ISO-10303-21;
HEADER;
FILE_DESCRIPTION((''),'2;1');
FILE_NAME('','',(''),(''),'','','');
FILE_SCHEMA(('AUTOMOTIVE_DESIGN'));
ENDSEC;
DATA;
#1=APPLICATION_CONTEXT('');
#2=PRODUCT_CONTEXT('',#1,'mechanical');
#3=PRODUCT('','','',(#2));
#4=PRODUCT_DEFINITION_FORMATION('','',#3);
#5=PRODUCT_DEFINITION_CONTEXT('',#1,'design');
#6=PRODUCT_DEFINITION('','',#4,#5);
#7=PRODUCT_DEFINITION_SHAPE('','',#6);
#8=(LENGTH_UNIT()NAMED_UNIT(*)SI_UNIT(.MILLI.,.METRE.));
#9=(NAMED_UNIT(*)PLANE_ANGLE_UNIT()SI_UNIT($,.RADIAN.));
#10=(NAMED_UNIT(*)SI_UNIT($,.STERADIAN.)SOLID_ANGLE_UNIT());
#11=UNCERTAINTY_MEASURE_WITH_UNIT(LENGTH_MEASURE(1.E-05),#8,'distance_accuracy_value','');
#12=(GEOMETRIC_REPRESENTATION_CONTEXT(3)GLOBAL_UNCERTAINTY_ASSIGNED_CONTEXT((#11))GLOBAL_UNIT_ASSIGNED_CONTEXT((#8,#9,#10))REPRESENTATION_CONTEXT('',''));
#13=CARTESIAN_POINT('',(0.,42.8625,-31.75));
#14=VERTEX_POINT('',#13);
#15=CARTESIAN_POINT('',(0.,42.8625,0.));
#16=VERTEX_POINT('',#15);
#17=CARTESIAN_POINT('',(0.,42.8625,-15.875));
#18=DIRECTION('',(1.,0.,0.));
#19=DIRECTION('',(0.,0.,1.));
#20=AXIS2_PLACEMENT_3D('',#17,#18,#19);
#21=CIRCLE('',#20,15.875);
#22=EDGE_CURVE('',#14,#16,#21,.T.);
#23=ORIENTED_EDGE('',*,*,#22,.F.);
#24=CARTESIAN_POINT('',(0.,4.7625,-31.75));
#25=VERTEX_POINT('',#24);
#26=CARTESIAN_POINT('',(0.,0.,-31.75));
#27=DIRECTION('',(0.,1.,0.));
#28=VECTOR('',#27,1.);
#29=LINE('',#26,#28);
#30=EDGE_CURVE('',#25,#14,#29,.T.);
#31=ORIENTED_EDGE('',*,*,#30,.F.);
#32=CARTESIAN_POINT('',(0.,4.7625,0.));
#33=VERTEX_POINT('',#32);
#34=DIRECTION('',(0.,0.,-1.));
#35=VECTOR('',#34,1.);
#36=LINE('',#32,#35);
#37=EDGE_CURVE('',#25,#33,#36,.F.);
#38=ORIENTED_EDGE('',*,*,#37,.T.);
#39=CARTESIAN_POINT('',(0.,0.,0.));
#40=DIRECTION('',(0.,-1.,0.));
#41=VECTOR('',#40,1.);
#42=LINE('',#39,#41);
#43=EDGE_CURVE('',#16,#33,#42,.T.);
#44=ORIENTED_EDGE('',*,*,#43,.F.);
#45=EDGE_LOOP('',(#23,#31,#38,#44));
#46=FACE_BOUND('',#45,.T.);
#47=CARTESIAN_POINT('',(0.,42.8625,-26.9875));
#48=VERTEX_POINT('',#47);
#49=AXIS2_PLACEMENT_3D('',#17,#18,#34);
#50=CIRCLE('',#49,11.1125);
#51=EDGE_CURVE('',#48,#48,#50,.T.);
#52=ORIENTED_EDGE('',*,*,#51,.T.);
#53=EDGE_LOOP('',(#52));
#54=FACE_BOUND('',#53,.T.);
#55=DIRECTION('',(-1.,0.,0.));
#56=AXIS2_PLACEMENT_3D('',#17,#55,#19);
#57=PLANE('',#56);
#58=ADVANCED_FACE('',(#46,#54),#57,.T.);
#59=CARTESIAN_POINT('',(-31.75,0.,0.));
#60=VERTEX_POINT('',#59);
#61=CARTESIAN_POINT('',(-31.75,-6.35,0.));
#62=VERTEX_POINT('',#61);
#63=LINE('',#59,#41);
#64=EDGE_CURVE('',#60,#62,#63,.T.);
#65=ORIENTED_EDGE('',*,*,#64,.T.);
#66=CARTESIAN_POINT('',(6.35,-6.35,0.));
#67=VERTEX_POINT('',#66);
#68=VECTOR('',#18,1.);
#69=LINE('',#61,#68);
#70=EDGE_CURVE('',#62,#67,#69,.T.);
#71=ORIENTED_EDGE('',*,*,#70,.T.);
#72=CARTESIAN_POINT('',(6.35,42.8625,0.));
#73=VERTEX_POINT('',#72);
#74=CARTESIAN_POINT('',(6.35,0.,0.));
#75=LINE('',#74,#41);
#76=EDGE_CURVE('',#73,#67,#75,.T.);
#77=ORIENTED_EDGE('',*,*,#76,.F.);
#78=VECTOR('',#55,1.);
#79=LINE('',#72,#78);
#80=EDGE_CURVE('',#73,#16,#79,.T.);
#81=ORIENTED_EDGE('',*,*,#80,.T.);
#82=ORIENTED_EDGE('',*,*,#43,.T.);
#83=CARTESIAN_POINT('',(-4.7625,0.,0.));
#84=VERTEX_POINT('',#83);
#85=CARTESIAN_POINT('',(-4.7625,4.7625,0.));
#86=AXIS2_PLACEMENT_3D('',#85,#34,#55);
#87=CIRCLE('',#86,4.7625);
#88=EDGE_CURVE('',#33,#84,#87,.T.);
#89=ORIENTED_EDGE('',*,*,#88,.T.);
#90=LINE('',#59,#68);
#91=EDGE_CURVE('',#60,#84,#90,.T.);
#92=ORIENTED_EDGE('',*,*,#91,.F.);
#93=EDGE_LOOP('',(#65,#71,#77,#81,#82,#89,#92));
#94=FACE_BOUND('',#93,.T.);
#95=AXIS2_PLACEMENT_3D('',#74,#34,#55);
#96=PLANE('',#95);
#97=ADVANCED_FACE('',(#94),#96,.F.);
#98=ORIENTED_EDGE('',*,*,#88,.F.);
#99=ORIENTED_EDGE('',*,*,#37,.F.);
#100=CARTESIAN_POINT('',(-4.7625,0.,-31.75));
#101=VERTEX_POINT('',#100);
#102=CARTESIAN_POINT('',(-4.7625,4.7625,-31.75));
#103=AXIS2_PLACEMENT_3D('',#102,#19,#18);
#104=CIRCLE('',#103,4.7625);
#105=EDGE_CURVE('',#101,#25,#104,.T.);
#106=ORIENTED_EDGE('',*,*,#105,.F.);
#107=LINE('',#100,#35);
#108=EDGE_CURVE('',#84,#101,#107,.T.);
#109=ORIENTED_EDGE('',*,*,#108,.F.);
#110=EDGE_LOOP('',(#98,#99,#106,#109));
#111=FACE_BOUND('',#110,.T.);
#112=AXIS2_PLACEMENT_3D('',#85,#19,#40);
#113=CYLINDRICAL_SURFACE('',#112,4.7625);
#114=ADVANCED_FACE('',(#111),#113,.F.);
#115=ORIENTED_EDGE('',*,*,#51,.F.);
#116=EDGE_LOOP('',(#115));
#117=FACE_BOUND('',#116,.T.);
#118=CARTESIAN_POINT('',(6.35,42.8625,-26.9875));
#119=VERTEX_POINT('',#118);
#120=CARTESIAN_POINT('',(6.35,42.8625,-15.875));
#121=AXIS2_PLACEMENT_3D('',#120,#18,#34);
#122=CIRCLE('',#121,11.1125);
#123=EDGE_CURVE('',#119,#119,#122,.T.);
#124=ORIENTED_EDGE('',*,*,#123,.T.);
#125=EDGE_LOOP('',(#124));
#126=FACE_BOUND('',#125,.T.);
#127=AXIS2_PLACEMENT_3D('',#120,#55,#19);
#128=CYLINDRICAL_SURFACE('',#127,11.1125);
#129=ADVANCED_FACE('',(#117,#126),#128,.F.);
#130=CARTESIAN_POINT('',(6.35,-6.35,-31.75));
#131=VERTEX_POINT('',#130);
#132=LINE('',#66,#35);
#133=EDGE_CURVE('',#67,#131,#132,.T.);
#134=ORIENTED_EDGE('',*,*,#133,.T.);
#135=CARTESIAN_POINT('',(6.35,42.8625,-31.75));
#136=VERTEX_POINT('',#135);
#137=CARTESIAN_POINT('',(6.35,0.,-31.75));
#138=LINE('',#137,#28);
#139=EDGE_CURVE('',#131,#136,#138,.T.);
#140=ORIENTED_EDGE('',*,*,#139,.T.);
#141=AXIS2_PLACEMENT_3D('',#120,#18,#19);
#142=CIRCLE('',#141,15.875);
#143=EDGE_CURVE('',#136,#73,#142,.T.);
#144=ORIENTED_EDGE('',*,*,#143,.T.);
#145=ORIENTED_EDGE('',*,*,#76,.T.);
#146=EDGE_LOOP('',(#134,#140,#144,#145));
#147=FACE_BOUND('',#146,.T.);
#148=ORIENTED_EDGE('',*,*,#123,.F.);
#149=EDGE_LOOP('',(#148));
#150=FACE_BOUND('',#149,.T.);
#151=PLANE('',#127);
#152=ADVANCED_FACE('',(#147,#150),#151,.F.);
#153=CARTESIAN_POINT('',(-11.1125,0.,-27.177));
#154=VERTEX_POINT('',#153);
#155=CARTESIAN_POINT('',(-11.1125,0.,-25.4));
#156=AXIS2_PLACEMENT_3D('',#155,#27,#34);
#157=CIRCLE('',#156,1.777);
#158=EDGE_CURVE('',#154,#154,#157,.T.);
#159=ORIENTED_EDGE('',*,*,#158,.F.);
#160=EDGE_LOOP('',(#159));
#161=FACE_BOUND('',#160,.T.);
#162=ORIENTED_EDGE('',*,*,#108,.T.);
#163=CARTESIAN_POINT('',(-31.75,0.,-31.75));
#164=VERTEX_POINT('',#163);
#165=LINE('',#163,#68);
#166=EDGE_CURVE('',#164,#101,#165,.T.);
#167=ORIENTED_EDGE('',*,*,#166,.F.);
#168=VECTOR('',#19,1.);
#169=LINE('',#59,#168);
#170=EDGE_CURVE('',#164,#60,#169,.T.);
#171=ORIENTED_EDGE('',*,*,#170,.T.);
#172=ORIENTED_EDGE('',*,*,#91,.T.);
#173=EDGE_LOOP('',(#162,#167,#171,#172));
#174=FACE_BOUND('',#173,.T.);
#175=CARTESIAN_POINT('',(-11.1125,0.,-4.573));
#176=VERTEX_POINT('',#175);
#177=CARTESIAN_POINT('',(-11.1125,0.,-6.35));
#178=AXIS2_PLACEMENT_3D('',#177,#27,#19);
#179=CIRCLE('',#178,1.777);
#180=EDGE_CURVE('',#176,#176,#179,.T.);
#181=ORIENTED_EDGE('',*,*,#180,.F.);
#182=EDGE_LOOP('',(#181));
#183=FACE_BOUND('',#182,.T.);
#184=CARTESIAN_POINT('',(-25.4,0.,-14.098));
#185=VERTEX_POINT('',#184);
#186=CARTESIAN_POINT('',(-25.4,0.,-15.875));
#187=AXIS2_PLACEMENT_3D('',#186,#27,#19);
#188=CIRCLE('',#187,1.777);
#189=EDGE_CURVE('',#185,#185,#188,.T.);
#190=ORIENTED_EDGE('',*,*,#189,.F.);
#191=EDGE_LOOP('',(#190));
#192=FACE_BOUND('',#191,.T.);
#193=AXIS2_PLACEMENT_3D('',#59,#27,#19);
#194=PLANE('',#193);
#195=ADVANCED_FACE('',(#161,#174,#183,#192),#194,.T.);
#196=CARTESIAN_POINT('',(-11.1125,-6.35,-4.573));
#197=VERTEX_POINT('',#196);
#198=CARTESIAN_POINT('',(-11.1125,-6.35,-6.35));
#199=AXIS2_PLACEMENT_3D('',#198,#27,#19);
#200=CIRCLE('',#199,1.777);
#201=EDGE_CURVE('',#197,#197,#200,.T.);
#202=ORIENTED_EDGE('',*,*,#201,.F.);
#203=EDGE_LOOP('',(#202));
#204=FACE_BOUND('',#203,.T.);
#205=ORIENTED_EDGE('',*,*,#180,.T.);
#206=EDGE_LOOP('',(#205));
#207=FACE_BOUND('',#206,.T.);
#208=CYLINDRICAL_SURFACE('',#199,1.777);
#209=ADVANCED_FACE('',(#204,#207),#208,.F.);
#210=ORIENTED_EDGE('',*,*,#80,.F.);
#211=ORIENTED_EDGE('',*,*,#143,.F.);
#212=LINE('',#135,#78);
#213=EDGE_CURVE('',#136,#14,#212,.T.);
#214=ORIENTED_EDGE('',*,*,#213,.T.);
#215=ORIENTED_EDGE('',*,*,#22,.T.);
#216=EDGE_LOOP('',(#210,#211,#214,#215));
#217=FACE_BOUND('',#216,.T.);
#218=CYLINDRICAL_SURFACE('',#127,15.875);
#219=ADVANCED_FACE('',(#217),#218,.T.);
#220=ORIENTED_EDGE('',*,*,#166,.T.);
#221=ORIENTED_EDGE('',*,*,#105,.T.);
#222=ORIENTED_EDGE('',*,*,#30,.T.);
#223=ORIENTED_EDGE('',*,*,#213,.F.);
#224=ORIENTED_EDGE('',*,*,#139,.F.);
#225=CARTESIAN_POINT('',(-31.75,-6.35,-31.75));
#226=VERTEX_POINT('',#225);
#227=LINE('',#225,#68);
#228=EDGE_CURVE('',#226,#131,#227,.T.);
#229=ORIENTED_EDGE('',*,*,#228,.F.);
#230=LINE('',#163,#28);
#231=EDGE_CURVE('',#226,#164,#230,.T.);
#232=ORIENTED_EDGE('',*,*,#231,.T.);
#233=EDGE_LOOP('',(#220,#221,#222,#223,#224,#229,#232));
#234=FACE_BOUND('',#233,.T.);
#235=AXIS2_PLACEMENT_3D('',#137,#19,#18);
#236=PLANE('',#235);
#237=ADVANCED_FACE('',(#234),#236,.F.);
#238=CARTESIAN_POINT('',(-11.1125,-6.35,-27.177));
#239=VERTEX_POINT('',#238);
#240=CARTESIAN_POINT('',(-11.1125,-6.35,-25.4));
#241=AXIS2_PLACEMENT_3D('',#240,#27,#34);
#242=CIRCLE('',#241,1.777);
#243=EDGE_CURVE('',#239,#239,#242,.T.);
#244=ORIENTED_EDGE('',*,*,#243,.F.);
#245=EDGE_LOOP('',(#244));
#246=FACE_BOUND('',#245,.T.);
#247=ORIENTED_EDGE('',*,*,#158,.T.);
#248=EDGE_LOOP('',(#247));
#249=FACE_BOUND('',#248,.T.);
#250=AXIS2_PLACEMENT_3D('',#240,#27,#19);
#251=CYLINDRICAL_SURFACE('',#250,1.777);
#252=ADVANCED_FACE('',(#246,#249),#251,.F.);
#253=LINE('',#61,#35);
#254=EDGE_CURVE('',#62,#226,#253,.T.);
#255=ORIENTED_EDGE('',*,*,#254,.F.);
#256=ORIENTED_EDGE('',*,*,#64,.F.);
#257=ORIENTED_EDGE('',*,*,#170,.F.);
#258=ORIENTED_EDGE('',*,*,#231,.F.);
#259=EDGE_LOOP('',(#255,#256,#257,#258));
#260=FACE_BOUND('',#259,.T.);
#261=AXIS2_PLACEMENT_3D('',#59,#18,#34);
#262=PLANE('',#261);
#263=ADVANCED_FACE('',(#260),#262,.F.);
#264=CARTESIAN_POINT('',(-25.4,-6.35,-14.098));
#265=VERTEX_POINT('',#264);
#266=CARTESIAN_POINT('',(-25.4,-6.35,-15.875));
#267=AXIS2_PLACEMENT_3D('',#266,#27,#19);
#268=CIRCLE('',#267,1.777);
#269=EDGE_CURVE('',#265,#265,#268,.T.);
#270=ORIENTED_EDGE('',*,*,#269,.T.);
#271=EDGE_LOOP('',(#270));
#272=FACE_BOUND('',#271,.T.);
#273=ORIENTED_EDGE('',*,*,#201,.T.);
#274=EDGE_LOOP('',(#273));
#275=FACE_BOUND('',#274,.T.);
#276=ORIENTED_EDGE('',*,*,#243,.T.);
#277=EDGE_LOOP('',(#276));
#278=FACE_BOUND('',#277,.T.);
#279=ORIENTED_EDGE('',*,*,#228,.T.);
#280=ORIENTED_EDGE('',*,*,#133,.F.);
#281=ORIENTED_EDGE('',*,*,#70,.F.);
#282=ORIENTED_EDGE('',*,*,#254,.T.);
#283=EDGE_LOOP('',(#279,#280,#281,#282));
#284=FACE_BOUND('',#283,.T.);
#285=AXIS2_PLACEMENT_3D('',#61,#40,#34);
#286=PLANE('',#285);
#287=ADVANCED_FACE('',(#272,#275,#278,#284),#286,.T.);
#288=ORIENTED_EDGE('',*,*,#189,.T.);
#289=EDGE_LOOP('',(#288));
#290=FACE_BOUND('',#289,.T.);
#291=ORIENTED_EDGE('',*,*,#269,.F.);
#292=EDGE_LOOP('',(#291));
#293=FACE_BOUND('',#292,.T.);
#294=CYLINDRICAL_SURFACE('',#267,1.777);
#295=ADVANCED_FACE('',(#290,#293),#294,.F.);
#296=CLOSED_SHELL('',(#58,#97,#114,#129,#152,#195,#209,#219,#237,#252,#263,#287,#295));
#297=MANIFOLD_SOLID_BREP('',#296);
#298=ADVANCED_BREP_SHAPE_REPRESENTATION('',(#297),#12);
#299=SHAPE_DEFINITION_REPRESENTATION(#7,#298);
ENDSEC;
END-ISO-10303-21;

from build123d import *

# Parameters (mm, degrees)
SKETCH3_R           = 11.1125
BOSS_EXTRUDE1_DEPTH = 6.35
SKETCH5_W           = 31.75
SKETCH5_H           = 6.35
BOSS_EXTRUDE2_DEPTH = 38.1
FILLET1_R           = 4.7625
SKETCH6_R           = 1.777000002
CUT_EXTRUDE1_DEPTH  = 7.35


with BuildPart() as part:
    # Sketch3 → Boss-Extrude1 (new body)
    with BuildSketch(Plane(origin=(0, 0, 0), x_dir=(0, 0, -1), z_dir=(1, 0, 0))):
        with BuildLine():
            Line((0, 0), (31.75, 0))
            Line((31.75, 0), (31.75, 42.8625))
            ThreePointArc((31.75, 42.8625), (15.875, 58.7375), (0, 42.8625))
            Line((0, 42.8625), (0, 0))
        make_face()
        with Locations((15.875, 42.8625)):
            Circle(SKETCH3_R, mode=Mode.SUBTRACT)
    extrude(amount=BOSS_EXTRUDE1_DEPTH)

    # Sketch5 → Boss-Extrude2 (add)
    with BuildSketch(Plane(origin=(6.35, 0, 0), x_dir=(0, 0, -1), z_dir=(1, 0, 0))):
        with Locations((15.875, -3.175)):
            Rectangle(SKETCH5_W, SKETCH5_H)
    extrude(amount=-BOSS_EXTRUDE2_DEPTH)

    # Fillet1
    fillet1_edges = [part.edges().sort_by_distance(p)[0] for p in [
        (0, 0, -15.875),
    ]]
    fillet(fillet1_edges, radius=FILLET1_R)

    # Sketch6 → Cut-Extrude1 (cut, through all)
    with BuildSketch(Plane(origin=(0, 0, 0), x_dir=(1, 0, 0), z_dir=(0, 1, 0))):
        with Locations((-11.1125, 6.35)):
            Circle(SKETCH6_R)
        with Locations((-25.4, 15.875)):
            Circle(SKETCH6_R)
        with Locations((-11.1125, 25.4)):
            Circle(SKETCH6_R)
    extrude(amount=-CUT_EXTRUDE1_DEPTH, mode=Mode.SUBTRACT)


solid = part.part
